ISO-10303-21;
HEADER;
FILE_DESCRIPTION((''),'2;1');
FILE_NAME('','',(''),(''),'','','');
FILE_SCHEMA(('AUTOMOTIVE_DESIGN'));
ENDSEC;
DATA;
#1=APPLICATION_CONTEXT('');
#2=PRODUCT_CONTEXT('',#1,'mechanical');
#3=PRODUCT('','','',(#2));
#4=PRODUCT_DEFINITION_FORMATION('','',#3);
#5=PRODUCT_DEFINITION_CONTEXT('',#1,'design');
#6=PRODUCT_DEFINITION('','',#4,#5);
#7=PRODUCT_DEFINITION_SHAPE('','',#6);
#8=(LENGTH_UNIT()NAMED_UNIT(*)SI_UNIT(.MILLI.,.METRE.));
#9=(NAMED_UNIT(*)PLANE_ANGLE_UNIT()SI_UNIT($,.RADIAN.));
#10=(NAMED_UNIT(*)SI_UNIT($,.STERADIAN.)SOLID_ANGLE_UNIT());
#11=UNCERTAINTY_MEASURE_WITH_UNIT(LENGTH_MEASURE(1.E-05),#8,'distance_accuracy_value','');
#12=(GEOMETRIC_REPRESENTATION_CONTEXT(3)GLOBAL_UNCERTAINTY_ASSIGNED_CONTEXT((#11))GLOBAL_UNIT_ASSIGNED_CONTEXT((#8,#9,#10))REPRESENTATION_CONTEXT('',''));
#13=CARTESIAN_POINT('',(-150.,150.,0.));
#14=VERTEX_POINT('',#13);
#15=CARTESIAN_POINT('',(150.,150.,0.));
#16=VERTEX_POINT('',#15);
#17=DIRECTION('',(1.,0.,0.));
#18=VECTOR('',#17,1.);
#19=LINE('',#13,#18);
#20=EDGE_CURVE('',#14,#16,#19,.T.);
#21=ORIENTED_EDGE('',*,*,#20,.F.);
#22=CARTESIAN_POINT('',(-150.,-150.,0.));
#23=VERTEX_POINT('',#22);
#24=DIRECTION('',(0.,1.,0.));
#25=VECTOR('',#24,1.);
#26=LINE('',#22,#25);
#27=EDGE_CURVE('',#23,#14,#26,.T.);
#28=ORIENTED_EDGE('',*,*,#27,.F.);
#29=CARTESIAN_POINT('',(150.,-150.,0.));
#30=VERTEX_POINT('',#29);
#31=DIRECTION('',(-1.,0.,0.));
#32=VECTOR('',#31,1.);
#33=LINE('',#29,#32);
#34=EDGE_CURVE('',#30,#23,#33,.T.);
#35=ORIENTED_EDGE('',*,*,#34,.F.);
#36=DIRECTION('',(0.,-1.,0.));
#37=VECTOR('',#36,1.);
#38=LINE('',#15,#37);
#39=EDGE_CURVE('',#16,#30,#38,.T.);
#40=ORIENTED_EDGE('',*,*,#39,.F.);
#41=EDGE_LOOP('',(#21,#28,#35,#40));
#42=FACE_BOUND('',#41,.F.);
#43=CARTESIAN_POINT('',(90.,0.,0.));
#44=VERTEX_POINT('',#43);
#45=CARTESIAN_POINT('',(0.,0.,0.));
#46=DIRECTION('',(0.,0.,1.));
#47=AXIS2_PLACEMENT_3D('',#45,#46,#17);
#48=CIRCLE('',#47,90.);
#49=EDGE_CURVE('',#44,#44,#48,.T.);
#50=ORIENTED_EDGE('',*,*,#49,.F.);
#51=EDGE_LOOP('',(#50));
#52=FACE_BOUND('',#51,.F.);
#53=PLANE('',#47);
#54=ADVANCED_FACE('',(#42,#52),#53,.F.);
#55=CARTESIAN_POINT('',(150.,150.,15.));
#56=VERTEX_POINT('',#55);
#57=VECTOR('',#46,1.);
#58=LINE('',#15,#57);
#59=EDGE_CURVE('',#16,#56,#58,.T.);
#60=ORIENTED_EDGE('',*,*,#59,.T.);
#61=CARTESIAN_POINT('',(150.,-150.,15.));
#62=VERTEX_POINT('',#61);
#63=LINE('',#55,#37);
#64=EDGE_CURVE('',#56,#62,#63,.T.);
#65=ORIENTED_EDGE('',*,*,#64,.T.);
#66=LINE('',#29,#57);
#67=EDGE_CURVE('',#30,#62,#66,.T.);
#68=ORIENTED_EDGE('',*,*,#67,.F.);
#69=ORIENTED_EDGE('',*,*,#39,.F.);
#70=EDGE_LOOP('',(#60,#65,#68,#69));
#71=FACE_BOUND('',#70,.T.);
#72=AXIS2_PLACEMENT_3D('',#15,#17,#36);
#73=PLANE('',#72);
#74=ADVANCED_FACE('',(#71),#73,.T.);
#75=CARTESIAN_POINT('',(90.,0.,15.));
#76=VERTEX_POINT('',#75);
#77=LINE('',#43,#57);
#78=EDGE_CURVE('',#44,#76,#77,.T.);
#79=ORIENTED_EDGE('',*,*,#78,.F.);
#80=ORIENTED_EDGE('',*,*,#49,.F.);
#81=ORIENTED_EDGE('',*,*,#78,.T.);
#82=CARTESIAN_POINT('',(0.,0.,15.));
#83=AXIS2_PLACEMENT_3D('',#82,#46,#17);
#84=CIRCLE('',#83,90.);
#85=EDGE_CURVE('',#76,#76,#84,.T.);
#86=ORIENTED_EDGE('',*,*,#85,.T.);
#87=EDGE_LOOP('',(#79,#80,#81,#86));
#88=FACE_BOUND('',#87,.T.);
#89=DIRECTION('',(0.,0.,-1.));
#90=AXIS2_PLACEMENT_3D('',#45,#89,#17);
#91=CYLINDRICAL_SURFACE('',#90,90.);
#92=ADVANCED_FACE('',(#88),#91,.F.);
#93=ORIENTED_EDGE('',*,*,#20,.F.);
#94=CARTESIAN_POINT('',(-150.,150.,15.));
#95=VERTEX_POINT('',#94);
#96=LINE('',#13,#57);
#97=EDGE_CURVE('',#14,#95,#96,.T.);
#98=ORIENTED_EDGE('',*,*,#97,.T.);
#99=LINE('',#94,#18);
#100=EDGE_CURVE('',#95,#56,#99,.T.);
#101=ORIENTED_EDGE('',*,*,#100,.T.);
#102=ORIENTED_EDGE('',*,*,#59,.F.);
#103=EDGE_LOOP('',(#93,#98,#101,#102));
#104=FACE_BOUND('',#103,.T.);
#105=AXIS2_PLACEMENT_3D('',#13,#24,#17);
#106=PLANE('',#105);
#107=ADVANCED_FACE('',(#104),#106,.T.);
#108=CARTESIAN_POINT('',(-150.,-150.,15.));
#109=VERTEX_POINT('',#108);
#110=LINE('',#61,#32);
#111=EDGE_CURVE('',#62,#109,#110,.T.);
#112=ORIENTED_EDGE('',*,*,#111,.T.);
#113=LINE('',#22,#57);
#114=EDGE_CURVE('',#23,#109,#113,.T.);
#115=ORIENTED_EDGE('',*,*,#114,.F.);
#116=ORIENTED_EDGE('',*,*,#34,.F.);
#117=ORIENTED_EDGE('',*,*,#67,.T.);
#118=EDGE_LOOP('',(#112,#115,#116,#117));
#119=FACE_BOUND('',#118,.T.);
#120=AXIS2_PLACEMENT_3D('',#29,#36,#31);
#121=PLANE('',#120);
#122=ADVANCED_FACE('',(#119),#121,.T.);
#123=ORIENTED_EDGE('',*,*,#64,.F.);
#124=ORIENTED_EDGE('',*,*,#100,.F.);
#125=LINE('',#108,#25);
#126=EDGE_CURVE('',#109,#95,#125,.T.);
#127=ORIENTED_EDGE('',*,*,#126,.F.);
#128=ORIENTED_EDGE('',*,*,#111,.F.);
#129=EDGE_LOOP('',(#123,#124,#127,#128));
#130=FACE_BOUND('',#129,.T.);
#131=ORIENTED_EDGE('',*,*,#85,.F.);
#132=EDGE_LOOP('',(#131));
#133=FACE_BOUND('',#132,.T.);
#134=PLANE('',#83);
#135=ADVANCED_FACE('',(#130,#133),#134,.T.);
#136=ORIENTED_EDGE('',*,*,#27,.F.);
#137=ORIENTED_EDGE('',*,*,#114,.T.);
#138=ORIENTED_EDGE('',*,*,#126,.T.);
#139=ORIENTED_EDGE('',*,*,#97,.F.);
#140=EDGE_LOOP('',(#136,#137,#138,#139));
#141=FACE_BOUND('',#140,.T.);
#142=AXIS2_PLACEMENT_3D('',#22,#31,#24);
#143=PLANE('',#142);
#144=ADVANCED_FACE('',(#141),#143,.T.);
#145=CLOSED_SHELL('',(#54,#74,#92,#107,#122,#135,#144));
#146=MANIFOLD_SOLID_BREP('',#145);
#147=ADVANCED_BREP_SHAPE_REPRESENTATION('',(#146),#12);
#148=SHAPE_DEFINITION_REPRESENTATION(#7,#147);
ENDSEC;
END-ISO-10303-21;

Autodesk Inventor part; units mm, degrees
ref_plane "YZ Plane" through (0, 0, 0) normal (1, 0, 0) x (0, 1, 0)
ref_plane "XZ Plane" through (0, 0, 0) normal (0, 1, 0) x (-1, 0, 0)
ref_plane "XY Plane" through (0, 0, 0) normal (0, 0, 1) x (1, 0, 0)
sketch "スケッチ1" plane through (0, 0, 0) normal (0, 0, 1) x (1, 0, 0)
  line L0 (150, 150) -> (150, -150)
  line L1 (150, -150) -> (-150, -150)
  line L2 (-150, -150) -> (-150, 150)
  line L3 (-150, 150) -> (150, 150)
  circle A0 centre (0, 0) radius 90
  dimension "d0" = 300
  dimension "d1" = 180
extrude "押し出し1" add sketch "スケッチ1" along normal blind 15
properties part number "障害物、丸１"
